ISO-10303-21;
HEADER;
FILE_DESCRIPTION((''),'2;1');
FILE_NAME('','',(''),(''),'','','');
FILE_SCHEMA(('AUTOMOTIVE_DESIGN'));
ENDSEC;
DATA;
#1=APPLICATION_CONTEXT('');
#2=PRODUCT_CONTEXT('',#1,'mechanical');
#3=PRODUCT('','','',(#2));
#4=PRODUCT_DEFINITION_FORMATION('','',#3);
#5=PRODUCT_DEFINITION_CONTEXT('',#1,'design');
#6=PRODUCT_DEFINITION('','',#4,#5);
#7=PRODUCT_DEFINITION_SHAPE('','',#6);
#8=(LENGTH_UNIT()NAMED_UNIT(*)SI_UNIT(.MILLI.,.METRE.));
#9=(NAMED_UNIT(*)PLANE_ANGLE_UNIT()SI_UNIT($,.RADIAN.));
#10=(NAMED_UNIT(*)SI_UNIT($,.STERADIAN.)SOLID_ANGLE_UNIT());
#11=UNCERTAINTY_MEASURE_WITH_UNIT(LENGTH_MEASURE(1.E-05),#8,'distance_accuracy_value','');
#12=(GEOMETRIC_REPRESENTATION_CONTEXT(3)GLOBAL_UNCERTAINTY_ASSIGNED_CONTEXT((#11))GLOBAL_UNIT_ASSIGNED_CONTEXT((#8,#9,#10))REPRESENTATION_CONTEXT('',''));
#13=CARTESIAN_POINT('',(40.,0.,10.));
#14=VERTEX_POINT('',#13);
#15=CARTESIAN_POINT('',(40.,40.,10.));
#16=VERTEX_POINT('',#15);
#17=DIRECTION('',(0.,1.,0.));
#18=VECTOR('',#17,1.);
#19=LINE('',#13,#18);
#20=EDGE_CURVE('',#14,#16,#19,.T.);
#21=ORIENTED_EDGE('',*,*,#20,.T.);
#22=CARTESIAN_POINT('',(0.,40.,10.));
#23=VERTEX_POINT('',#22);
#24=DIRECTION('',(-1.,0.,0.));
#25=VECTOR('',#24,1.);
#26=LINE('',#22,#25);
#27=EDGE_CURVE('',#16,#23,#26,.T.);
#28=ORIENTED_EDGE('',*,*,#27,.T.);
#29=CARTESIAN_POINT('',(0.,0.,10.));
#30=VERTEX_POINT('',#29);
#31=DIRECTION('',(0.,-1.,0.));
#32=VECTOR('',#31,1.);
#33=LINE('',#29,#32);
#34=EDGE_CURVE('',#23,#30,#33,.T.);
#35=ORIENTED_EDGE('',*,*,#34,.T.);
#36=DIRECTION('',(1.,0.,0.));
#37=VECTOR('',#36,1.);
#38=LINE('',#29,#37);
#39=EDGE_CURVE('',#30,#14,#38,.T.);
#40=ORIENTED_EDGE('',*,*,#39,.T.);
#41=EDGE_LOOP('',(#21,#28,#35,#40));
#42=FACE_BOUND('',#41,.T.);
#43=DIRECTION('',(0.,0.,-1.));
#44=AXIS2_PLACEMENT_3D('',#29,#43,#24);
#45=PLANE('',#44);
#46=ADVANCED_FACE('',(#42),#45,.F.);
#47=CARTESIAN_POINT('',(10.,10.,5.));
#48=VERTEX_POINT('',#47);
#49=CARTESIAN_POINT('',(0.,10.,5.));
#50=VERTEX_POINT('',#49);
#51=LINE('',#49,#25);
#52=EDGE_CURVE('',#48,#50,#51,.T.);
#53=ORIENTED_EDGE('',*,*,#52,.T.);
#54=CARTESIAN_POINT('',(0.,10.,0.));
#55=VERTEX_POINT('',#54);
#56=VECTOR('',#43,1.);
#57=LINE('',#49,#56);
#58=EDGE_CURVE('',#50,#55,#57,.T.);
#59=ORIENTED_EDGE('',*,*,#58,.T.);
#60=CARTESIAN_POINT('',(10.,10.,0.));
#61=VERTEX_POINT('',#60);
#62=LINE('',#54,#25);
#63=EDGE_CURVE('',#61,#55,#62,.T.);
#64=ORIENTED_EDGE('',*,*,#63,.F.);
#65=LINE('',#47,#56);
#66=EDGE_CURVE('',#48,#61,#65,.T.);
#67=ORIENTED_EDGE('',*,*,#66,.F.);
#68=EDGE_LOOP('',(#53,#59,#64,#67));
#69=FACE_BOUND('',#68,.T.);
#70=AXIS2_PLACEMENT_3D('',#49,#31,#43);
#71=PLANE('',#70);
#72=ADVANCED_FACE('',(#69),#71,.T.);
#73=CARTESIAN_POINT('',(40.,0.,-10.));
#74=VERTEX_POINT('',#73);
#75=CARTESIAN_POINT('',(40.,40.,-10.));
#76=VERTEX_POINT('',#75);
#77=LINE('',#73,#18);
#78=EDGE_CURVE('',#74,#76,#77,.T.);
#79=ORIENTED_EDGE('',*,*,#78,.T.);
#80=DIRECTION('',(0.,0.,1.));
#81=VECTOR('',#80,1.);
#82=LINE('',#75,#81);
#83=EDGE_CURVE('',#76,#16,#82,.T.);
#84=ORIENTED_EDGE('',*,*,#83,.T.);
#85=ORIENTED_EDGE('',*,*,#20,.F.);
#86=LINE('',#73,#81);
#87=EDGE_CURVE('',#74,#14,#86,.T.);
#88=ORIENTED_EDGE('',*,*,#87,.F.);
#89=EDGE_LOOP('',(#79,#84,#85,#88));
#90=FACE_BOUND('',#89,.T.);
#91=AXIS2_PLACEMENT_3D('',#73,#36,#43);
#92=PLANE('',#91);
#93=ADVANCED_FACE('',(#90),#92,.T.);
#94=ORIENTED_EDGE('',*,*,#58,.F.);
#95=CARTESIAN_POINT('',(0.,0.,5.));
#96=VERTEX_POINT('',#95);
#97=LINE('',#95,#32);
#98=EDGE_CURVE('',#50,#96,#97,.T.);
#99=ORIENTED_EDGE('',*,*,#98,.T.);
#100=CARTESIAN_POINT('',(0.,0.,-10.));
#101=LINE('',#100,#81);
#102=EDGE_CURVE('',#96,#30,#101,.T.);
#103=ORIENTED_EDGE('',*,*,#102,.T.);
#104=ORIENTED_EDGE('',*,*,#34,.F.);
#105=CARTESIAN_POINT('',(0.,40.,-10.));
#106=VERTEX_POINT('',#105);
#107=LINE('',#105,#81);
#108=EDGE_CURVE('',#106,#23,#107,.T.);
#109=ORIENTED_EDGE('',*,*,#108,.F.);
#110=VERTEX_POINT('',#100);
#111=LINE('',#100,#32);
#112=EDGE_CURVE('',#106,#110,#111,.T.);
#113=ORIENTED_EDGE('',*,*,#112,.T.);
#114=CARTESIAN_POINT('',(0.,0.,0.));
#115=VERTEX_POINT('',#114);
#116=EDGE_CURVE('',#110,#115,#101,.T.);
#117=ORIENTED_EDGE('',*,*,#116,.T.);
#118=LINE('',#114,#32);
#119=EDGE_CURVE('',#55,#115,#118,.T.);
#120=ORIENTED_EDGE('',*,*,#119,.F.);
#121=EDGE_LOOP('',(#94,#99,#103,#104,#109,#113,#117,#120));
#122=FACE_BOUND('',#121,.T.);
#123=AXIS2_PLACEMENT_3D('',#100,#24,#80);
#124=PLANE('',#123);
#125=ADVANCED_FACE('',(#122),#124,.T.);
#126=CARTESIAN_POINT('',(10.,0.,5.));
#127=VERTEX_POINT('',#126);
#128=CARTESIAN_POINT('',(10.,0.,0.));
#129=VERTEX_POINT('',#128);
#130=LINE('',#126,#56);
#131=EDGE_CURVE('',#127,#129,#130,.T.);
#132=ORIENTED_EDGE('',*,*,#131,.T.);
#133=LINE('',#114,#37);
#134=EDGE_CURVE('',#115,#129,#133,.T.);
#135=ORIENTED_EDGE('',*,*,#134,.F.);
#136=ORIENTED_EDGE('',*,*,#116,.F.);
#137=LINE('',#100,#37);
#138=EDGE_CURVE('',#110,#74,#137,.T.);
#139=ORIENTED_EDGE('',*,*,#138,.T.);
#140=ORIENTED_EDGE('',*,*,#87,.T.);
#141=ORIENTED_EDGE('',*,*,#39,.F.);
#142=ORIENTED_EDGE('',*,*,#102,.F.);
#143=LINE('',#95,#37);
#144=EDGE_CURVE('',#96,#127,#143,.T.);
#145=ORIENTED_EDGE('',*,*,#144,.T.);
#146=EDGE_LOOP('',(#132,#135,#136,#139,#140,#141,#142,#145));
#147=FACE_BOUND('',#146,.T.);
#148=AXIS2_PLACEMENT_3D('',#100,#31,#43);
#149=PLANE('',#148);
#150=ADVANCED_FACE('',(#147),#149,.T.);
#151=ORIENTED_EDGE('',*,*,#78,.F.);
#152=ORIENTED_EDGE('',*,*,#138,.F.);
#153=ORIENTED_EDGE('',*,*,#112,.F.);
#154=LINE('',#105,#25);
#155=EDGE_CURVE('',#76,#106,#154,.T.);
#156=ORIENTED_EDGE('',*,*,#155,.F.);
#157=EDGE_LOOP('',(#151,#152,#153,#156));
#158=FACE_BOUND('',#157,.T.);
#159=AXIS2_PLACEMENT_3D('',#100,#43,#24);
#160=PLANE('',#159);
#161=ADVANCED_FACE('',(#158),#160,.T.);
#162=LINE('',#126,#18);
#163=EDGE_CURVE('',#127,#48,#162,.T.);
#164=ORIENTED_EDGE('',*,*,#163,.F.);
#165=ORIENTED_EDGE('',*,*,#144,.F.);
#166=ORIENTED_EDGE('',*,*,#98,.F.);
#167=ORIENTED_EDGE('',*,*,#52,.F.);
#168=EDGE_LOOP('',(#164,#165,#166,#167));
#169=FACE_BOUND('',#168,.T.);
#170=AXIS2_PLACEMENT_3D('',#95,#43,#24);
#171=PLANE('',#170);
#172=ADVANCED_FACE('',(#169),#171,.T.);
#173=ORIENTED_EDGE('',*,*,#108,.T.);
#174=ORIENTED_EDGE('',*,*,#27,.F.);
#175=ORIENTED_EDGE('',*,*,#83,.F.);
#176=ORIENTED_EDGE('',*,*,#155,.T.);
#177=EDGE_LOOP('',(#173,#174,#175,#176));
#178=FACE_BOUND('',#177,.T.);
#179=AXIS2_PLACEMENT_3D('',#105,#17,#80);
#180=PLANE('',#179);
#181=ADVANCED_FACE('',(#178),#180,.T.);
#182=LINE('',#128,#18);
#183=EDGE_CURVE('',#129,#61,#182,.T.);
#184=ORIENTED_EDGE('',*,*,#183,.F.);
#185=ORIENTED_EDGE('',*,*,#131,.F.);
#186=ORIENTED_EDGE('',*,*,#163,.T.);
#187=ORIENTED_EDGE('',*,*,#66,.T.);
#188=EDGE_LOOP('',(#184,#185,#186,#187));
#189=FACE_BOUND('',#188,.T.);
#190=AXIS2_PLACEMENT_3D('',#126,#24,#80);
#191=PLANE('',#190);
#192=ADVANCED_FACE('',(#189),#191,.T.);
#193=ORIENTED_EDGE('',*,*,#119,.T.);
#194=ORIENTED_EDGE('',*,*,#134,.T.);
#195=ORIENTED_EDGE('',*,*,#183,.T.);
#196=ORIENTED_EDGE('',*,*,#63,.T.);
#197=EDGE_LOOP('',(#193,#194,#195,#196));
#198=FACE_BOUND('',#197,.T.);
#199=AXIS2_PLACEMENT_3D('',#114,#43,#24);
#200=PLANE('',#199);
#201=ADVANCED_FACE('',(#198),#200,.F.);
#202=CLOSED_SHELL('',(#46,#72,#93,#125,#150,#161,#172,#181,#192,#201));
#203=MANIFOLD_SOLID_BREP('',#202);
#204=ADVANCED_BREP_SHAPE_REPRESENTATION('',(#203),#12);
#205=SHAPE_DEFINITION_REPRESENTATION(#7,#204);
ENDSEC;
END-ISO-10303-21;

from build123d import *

# Parameters (mm, degrees)
BOSS_EXTRUDE1_DEPTH      = 10
BOSS_EXTRUDE1_DEPTH_BACK = 10
SKETCH1_W                = 40
SKETCH1_H                = 40
SKETCH2_W                = 10
SKETCH2_H                = 10
CUT_EXTRUDE1_DEPTH       = 5


with BuildPart() as part:
    # Sketch1 → Boss-Extrude1 (new, two sides: drawn at the far end of the back side and taken through both)
    with BuildSketch(Plane.XY.offset(-BOSS_EXTRUDE1_DEPTH_BACK)):
        with Locations((20, 20)):
            Rectangle(SKETCH1_W, SKETCH1_H)
    extrude(amount=BOSS_EXTRUDE1_DEPTH + BOSS_EXTRUDE1_DEPTH_BACK)

    # Sketch2 → Cut-Extrude1 (cut)
    with BuildSketch(Plane.XY):
        with Locations((5, 5)):
            Rectangle(SKETCH2_W, SKETCH2_H)
    extrude(amount=CUT_EXTRUDE1_DEPTH, mode=Mode.SUBTRACT)


solid = part.part
